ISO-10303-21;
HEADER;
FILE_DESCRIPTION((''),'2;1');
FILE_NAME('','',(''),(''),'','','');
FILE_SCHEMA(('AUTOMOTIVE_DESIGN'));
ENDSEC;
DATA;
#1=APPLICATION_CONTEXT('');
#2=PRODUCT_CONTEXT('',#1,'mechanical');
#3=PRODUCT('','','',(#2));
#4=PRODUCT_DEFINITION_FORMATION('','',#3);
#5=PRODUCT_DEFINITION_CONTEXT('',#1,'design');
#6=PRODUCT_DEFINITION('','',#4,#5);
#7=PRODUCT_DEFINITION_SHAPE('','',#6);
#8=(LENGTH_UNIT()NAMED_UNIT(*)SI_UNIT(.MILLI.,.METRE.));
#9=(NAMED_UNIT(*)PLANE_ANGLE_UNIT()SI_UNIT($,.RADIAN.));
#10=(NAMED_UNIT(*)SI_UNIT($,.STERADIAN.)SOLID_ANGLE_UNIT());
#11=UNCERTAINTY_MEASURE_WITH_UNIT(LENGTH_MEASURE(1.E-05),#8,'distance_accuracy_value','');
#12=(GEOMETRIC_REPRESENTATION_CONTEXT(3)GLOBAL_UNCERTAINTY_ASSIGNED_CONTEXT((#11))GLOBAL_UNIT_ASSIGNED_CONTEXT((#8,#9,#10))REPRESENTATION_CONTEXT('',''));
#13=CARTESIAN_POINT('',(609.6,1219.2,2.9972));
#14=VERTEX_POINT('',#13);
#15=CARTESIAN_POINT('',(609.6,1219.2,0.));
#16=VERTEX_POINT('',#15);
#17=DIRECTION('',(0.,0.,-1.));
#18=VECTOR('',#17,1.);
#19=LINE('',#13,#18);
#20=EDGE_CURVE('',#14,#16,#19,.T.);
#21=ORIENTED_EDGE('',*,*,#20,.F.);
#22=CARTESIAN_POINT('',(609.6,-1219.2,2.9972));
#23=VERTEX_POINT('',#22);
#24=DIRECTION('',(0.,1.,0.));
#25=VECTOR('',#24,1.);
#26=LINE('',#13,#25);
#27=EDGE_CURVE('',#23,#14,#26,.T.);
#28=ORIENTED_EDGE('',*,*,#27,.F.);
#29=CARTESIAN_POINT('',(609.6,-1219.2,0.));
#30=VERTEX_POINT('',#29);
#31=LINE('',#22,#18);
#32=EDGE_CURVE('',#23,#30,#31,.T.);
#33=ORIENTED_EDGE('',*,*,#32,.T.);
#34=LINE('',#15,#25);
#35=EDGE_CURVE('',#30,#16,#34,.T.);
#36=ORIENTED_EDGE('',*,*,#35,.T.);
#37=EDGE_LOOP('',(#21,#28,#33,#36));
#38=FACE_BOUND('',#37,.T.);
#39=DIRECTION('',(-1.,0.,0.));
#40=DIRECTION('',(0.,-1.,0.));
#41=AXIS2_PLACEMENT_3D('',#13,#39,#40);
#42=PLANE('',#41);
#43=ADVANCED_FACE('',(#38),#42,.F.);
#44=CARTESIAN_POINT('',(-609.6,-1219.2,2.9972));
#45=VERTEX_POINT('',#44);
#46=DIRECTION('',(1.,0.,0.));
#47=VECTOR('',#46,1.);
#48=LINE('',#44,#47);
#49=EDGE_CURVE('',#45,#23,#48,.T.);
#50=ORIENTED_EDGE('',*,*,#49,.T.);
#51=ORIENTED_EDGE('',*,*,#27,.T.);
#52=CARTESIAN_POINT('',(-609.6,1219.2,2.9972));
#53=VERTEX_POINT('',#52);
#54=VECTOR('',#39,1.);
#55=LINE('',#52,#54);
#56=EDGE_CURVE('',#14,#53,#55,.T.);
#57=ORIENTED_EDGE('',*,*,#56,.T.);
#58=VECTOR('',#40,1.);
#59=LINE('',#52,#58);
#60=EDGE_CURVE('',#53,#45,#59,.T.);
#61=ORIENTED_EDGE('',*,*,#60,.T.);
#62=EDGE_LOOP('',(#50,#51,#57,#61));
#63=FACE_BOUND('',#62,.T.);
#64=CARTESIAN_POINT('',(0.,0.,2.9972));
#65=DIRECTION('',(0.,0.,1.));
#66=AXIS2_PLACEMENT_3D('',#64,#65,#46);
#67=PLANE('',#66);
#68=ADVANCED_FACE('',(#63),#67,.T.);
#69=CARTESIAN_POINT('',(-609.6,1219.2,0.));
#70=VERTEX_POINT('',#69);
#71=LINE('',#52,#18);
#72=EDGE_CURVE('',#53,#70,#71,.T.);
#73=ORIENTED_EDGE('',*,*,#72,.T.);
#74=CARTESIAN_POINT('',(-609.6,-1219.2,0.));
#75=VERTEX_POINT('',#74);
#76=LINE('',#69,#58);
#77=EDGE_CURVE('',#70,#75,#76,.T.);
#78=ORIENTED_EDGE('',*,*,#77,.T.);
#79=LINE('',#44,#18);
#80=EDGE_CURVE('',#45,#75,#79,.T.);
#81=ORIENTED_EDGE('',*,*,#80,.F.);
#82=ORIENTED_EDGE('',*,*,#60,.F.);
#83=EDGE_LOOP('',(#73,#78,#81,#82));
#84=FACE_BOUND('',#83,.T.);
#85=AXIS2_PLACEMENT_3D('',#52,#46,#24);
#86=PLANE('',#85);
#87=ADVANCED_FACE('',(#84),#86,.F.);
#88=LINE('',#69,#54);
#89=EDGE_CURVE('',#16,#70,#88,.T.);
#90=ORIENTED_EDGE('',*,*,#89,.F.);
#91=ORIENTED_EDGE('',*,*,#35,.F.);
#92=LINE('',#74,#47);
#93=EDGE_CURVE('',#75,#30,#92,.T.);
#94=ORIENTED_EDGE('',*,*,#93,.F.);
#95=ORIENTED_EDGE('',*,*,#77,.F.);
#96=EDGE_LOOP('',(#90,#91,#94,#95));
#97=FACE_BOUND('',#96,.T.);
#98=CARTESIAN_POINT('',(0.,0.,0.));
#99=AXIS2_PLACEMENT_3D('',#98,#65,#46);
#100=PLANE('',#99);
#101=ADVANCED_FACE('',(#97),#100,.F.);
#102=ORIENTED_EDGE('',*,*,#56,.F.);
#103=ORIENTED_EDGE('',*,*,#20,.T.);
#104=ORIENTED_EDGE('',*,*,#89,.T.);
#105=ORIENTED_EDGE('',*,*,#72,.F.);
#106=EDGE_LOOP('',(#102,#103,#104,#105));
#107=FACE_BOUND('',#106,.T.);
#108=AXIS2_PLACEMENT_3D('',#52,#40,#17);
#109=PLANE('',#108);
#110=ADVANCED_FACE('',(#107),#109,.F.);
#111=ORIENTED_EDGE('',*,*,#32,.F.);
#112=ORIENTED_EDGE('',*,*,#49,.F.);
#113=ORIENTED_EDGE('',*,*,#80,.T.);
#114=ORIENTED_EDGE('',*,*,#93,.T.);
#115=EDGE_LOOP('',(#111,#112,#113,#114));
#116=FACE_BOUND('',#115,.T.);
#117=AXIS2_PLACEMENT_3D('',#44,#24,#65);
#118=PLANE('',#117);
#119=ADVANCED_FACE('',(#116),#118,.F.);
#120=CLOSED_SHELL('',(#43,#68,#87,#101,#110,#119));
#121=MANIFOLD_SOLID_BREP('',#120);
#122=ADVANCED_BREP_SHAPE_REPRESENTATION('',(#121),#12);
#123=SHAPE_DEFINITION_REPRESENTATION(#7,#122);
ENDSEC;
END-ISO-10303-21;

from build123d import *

# Parameters (mm, degrees)
SKETCH1_W           = 1219.2
SKETCH1_H           = 2438.4
BOSS_EXTRUDE1_DEPTH = 2.9972


with BuildPart() as part:
    # Sketch1 → Boss-Extrude1 (new body)
    with BuildSketch(Plane.XY):
        Rectangle(SKETCH1_W, SKETCH1_H)
    extrude(amount=BOSS_EXTRUDE1_DEPTH)


solid = part.part
